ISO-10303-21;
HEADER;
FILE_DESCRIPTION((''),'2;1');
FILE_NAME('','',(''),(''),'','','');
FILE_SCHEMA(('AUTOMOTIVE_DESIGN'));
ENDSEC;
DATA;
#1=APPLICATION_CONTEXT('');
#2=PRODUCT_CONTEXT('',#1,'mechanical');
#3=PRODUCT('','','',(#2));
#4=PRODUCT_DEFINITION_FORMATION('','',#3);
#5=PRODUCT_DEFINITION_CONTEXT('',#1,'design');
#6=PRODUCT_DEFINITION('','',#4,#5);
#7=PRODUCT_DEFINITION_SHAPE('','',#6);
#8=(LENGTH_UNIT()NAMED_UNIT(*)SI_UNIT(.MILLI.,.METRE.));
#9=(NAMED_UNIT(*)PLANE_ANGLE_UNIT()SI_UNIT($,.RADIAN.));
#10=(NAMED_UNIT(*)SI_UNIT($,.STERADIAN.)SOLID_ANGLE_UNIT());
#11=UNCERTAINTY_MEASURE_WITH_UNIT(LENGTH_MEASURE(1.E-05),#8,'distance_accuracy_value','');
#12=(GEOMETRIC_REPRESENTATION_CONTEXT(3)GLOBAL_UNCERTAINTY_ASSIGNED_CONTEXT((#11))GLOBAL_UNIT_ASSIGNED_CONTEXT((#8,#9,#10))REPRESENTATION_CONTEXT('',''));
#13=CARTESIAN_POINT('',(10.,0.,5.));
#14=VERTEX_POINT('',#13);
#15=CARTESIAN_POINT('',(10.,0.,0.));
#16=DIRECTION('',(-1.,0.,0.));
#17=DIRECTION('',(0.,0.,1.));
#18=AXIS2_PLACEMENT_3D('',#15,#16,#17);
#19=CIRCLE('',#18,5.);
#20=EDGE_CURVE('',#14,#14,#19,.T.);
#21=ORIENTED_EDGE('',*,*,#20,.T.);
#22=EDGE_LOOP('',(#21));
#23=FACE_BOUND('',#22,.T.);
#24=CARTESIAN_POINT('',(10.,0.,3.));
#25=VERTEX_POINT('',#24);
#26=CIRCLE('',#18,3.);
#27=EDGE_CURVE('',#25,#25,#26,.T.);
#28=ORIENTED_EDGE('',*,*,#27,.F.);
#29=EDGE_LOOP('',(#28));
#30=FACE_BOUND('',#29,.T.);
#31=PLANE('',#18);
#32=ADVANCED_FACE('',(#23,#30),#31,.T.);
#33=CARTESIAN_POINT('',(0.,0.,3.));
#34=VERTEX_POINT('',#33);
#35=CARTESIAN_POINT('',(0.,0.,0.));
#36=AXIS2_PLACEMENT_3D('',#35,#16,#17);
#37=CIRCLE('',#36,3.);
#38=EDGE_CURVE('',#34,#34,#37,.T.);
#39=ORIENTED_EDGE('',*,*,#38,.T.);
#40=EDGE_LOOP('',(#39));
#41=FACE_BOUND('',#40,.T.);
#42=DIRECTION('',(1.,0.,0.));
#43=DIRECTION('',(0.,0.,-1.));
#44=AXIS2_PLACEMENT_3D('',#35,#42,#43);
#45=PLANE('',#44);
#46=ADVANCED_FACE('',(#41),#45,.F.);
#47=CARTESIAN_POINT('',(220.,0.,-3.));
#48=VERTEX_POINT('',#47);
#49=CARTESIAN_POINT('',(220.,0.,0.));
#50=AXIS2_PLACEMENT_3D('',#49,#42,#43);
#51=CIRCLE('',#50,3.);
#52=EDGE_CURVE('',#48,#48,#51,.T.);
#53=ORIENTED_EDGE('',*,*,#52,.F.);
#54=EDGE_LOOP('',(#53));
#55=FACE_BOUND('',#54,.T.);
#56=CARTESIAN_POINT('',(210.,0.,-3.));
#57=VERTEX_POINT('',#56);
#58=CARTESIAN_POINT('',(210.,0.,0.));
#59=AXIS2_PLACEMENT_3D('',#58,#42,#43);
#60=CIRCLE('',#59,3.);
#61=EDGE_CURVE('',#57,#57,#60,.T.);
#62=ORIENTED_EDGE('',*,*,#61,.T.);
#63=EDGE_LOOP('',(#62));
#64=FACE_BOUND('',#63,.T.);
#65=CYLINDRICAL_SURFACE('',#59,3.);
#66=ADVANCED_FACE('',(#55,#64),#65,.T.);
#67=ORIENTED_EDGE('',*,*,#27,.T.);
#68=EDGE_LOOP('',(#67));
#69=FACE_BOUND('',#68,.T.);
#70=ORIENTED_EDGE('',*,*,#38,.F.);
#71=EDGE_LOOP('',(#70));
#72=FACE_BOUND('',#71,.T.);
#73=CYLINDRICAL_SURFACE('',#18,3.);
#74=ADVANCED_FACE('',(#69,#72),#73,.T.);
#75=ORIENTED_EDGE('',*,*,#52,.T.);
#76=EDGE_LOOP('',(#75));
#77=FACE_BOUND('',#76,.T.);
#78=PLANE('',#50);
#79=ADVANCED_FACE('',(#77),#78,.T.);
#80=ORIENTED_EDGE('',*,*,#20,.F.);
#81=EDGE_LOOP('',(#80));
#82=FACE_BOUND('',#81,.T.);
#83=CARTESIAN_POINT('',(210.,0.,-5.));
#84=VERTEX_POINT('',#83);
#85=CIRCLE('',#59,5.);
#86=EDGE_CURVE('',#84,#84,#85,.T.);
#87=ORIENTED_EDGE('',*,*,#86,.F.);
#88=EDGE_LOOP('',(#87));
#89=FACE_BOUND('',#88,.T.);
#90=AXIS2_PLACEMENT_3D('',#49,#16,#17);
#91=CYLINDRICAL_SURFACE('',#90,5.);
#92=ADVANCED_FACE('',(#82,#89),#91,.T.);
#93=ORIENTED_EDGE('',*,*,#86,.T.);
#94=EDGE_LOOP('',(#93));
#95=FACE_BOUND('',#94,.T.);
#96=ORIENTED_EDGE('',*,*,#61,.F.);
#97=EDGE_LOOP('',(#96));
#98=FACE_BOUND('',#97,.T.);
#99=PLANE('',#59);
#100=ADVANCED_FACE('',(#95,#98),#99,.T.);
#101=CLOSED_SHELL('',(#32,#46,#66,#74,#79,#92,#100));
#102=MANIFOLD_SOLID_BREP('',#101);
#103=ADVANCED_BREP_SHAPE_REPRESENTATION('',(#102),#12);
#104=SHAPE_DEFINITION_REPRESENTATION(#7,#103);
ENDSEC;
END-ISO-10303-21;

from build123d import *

# Parameters (mm, degrees)
CROQUIS1_R              = 5
SALIENTE_EXTRUIR1_DEPTH = 220
CROQUIS2_R              = 5
SALIENTE_EXTRUIR2_DEPTH = 10
SALIENTE_EXTRUIR3_START = -10
CROQUIS3_R              = 5
SALIENTE_EXTRUIR3_DEPTH = 10
CROQUIS4_OUTSIDE_W      = 56.09
CROQUIS4_OUTSIDE_H      = 56.09
CROQUIS4_OUTSIDE_R      = 3
CORTAR_EXTRUIR1_DEPTH   = 10
CROQUIS5_OUTSIDE_W      = 56.09
CROQUIS5_OUTSIDE_H      = 56.09
CROQUIS5_OUTSIDE_R      = 3
CORTAR_EXTRUIR2_DEPTH   = 10


with BuildPart() as part:
    # Croquis1 → Saliente-Extruir1 (new body)
    with BuildSketch(Plane(origin=(0, 0, 0), x_dir=(0, 0, -1), z_dir=(1, 0, 0))):
        Circle(CROQUIS1_R)
    extrude(amount=SALIENTE_EXTRUIR1_DEPTH)

    # Croquis2 → Saliente-Extruir2 (add)
    with BuildSketch(Plane.ZY):
        with Locations(Location((0, 0, 0), (0, 0, 180))):
            Circle(CROQUIS2_R)
    extrude(amount=-SALIENTE_EXTRUIR2_DEPTH)

    # Croquis3 → Saliente-Extruir3 (add)
    with BuildSketch(Plane(origin=(220, 0, 0), x_dir=(0, 0, -1), z_dir=(1, 0, 0)).offset(SALIENTE_EXTRUIR3_START)):
        Circle(CROQUIS3_R)
    extrude(amount=SALIENTE_EXTRUIR3_DEPTH)

    # Croquis4 outside → Cortar-Extruir1 (cut)
    with BuildSketch(Plane.ZY):
        Rectangle(CROQUIS4_OUTSIDE_W, CROQUIS4_OUTSIDE_H)
        Circle(CROQUIS4_OUTSIDE_R, mode=Mode.SUBTRACT)
    extrude(amount=-CORTAR_EXTRUIR1_DEPTH, mode=Mode.SUBTRACT)

    # Croquis5 outside → Cortar-Extruir2 (cut)
    with BuildSketch(Plane(origin=(220, 0, 0), x_dir=(0, 0, -1), z_dir=(1, 0, 0))):
        Rectangle(CROQUIS5_OUTSIDE_W, CROQUIS5_OUTSIDE_H)
        with Locations(Location((0, 0, 0), (0, 0, 180))):
            Circle(CROQUIS5_OUTSIDE_R, mode=Mode.SUBTRACT)
    extrude(amount=-CORTAR_EXTRUIR2_DEPTH, mode=Mode.SUBTRACT)


solid = part.part
